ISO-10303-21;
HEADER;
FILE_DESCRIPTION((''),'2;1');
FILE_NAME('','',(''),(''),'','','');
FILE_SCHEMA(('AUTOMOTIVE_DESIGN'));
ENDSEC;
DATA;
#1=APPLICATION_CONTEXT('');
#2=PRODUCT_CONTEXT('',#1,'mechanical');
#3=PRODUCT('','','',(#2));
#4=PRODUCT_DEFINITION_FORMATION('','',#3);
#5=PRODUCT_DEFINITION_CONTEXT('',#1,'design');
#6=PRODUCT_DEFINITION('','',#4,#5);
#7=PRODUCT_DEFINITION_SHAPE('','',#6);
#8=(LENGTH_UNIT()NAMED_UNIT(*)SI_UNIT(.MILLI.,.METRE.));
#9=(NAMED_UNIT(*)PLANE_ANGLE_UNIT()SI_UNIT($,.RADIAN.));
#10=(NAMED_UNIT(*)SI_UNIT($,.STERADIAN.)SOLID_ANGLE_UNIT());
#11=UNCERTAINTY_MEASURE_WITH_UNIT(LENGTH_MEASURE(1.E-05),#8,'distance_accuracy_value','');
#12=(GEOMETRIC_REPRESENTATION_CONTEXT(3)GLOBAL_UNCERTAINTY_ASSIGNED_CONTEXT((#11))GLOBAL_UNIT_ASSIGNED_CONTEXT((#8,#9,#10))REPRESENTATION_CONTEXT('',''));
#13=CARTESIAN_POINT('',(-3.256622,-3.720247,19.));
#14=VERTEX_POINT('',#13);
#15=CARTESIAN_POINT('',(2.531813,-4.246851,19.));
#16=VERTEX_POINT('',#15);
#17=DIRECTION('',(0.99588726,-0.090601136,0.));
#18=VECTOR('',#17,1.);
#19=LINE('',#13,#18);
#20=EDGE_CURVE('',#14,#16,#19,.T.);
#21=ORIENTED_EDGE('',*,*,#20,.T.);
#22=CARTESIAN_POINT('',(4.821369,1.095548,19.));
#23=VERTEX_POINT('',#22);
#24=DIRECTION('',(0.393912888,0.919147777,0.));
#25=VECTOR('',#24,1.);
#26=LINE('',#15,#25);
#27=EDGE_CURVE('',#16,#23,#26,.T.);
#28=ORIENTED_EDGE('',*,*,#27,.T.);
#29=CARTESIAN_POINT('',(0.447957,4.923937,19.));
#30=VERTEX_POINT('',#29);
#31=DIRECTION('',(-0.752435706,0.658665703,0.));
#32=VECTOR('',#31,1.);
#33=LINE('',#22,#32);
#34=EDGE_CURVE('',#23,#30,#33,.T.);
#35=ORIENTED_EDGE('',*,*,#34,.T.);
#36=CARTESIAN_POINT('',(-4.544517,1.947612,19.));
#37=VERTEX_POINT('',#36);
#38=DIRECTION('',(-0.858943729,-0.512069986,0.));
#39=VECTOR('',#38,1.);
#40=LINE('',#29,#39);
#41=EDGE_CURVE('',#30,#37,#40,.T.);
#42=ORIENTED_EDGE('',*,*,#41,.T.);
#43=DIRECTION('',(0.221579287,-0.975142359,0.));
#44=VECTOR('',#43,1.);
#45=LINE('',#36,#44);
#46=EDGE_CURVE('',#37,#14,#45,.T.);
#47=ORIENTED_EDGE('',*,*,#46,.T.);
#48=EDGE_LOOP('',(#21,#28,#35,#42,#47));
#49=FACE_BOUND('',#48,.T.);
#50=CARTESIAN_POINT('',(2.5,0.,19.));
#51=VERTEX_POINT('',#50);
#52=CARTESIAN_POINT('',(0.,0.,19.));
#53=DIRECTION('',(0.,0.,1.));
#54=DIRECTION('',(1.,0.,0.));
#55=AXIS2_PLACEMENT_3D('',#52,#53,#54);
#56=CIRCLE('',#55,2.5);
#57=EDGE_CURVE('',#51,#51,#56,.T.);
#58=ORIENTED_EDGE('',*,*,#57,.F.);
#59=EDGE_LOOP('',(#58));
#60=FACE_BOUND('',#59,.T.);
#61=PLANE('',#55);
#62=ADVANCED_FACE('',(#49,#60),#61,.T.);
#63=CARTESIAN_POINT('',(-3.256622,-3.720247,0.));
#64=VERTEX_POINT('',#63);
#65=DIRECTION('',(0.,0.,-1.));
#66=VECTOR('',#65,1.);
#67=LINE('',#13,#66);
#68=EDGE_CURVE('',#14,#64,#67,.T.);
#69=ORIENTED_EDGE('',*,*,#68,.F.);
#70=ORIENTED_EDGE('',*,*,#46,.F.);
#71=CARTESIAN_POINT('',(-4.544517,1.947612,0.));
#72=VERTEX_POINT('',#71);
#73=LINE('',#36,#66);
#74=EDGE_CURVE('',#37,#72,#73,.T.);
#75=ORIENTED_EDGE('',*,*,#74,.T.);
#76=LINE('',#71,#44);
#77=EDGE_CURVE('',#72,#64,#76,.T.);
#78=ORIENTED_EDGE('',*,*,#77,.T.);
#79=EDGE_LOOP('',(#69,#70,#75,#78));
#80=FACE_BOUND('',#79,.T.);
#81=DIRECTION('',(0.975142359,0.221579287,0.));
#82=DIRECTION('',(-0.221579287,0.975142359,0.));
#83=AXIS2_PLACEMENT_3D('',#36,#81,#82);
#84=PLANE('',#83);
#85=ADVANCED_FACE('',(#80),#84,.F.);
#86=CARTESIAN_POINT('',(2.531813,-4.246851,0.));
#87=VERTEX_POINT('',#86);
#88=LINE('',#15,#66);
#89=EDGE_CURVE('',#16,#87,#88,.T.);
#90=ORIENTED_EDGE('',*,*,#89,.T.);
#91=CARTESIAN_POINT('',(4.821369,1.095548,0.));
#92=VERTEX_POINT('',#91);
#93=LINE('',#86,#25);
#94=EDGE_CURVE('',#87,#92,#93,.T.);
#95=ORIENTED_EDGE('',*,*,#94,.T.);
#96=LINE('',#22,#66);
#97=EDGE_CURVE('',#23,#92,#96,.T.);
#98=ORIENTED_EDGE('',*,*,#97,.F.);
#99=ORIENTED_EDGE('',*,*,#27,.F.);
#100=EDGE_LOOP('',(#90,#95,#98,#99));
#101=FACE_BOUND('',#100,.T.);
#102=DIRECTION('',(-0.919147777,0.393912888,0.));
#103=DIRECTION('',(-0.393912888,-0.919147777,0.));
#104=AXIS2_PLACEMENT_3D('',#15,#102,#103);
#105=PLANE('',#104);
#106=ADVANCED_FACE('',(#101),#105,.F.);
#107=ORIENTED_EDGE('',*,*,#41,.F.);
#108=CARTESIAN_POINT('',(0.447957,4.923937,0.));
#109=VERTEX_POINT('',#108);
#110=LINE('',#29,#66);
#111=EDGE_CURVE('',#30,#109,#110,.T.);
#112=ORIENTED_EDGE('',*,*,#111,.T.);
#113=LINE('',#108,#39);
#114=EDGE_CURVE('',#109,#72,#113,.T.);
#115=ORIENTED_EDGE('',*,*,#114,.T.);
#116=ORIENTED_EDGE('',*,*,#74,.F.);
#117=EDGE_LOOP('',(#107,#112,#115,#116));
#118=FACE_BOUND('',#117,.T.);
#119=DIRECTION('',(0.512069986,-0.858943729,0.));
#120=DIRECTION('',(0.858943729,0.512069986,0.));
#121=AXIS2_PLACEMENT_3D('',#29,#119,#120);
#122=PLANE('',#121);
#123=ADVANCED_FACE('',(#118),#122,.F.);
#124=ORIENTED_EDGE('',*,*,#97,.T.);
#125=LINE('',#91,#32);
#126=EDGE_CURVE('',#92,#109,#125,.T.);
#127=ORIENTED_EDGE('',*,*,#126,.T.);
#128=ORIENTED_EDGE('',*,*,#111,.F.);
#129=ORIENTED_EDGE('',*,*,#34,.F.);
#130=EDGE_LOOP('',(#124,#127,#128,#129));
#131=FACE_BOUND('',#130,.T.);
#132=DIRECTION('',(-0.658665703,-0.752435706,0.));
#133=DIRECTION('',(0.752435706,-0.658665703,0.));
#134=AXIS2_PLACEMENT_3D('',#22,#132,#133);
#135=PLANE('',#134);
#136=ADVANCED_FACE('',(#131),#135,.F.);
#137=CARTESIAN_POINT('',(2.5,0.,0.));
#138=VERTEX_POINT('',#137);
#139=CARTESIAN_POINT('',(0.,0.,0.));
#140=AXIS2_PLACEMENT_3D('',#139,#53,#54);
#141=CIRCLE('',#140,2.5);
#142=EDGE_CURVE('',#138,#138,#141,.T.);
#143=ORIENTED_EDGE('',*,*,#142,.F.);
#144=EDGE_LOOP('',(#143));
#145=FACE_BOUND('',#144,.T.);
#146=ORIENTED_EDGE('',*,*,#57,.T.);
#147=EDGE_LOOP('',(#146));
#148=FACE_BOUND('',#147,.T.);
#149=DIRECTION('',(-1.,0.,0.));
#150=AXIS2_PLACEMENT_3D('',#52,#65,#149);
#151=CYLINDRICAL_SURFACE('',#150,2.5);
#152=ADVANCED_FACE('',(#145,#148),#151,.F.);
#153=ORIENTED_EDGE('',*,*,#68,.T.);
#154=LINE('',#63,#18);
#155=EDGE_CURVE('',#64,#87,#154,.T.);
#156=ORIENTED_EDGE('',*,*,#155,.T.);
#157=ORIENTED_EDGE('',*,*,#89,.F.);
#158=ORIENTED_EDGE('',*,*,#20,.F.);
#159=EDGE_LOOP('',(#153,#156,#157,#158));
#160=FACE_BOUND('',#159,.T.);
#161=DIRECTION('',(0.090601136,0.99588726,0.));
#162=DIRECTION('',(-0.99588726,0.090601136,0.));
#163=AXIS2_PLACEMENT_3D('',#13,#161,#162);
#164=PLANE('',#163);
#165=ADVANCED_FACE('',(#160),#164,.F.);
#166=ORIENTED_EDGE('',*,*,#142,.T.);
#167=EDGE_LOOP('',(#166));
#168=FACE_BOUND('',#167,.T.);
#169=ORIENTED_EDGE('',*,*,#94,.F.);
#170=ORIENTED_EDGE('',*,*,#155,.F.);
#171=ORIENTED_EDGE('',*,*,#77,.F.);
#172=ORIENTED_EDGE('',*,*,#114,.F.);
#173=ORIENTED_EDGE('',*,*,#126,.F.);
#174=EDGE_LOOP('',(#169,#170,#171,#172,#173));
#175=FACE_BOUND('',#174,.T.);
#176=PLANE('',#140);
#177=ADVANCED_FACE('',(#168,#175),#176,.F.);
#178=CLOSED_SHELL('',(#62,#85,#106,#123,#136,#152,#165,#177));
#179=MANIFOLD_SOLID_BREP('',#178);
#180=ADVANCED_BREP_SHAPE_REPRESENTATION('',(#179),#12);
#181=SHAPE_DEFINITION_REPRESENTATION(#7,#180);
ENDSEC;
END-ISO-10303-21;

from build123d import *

# Parameters (mm, degrees)
IZIM1_R                     = 2.5
Y_KSEKLIK_EKSTR_ZYON1_DEPTH = 19


with BuildPart() as part:
    # Çizim1 → Yükseklik-Ekstrüzyon1 (new body)
    with BuildSketch(Plane.XY):
        Polygon((0.447956651, 4.923937404), (-4.544516536, 1.947612429), (-3.256622333, -3.720246726), (2.531813246, -4.246851352), (4.821368972, 1.095548245), align=None)
        Circle(IZIM1_R, mode=Mode.SUBTRACT)
    extrude(amount=Y_KSEKLIK_EKSTR_ZYON1_DEPTH)


solid = part.part
